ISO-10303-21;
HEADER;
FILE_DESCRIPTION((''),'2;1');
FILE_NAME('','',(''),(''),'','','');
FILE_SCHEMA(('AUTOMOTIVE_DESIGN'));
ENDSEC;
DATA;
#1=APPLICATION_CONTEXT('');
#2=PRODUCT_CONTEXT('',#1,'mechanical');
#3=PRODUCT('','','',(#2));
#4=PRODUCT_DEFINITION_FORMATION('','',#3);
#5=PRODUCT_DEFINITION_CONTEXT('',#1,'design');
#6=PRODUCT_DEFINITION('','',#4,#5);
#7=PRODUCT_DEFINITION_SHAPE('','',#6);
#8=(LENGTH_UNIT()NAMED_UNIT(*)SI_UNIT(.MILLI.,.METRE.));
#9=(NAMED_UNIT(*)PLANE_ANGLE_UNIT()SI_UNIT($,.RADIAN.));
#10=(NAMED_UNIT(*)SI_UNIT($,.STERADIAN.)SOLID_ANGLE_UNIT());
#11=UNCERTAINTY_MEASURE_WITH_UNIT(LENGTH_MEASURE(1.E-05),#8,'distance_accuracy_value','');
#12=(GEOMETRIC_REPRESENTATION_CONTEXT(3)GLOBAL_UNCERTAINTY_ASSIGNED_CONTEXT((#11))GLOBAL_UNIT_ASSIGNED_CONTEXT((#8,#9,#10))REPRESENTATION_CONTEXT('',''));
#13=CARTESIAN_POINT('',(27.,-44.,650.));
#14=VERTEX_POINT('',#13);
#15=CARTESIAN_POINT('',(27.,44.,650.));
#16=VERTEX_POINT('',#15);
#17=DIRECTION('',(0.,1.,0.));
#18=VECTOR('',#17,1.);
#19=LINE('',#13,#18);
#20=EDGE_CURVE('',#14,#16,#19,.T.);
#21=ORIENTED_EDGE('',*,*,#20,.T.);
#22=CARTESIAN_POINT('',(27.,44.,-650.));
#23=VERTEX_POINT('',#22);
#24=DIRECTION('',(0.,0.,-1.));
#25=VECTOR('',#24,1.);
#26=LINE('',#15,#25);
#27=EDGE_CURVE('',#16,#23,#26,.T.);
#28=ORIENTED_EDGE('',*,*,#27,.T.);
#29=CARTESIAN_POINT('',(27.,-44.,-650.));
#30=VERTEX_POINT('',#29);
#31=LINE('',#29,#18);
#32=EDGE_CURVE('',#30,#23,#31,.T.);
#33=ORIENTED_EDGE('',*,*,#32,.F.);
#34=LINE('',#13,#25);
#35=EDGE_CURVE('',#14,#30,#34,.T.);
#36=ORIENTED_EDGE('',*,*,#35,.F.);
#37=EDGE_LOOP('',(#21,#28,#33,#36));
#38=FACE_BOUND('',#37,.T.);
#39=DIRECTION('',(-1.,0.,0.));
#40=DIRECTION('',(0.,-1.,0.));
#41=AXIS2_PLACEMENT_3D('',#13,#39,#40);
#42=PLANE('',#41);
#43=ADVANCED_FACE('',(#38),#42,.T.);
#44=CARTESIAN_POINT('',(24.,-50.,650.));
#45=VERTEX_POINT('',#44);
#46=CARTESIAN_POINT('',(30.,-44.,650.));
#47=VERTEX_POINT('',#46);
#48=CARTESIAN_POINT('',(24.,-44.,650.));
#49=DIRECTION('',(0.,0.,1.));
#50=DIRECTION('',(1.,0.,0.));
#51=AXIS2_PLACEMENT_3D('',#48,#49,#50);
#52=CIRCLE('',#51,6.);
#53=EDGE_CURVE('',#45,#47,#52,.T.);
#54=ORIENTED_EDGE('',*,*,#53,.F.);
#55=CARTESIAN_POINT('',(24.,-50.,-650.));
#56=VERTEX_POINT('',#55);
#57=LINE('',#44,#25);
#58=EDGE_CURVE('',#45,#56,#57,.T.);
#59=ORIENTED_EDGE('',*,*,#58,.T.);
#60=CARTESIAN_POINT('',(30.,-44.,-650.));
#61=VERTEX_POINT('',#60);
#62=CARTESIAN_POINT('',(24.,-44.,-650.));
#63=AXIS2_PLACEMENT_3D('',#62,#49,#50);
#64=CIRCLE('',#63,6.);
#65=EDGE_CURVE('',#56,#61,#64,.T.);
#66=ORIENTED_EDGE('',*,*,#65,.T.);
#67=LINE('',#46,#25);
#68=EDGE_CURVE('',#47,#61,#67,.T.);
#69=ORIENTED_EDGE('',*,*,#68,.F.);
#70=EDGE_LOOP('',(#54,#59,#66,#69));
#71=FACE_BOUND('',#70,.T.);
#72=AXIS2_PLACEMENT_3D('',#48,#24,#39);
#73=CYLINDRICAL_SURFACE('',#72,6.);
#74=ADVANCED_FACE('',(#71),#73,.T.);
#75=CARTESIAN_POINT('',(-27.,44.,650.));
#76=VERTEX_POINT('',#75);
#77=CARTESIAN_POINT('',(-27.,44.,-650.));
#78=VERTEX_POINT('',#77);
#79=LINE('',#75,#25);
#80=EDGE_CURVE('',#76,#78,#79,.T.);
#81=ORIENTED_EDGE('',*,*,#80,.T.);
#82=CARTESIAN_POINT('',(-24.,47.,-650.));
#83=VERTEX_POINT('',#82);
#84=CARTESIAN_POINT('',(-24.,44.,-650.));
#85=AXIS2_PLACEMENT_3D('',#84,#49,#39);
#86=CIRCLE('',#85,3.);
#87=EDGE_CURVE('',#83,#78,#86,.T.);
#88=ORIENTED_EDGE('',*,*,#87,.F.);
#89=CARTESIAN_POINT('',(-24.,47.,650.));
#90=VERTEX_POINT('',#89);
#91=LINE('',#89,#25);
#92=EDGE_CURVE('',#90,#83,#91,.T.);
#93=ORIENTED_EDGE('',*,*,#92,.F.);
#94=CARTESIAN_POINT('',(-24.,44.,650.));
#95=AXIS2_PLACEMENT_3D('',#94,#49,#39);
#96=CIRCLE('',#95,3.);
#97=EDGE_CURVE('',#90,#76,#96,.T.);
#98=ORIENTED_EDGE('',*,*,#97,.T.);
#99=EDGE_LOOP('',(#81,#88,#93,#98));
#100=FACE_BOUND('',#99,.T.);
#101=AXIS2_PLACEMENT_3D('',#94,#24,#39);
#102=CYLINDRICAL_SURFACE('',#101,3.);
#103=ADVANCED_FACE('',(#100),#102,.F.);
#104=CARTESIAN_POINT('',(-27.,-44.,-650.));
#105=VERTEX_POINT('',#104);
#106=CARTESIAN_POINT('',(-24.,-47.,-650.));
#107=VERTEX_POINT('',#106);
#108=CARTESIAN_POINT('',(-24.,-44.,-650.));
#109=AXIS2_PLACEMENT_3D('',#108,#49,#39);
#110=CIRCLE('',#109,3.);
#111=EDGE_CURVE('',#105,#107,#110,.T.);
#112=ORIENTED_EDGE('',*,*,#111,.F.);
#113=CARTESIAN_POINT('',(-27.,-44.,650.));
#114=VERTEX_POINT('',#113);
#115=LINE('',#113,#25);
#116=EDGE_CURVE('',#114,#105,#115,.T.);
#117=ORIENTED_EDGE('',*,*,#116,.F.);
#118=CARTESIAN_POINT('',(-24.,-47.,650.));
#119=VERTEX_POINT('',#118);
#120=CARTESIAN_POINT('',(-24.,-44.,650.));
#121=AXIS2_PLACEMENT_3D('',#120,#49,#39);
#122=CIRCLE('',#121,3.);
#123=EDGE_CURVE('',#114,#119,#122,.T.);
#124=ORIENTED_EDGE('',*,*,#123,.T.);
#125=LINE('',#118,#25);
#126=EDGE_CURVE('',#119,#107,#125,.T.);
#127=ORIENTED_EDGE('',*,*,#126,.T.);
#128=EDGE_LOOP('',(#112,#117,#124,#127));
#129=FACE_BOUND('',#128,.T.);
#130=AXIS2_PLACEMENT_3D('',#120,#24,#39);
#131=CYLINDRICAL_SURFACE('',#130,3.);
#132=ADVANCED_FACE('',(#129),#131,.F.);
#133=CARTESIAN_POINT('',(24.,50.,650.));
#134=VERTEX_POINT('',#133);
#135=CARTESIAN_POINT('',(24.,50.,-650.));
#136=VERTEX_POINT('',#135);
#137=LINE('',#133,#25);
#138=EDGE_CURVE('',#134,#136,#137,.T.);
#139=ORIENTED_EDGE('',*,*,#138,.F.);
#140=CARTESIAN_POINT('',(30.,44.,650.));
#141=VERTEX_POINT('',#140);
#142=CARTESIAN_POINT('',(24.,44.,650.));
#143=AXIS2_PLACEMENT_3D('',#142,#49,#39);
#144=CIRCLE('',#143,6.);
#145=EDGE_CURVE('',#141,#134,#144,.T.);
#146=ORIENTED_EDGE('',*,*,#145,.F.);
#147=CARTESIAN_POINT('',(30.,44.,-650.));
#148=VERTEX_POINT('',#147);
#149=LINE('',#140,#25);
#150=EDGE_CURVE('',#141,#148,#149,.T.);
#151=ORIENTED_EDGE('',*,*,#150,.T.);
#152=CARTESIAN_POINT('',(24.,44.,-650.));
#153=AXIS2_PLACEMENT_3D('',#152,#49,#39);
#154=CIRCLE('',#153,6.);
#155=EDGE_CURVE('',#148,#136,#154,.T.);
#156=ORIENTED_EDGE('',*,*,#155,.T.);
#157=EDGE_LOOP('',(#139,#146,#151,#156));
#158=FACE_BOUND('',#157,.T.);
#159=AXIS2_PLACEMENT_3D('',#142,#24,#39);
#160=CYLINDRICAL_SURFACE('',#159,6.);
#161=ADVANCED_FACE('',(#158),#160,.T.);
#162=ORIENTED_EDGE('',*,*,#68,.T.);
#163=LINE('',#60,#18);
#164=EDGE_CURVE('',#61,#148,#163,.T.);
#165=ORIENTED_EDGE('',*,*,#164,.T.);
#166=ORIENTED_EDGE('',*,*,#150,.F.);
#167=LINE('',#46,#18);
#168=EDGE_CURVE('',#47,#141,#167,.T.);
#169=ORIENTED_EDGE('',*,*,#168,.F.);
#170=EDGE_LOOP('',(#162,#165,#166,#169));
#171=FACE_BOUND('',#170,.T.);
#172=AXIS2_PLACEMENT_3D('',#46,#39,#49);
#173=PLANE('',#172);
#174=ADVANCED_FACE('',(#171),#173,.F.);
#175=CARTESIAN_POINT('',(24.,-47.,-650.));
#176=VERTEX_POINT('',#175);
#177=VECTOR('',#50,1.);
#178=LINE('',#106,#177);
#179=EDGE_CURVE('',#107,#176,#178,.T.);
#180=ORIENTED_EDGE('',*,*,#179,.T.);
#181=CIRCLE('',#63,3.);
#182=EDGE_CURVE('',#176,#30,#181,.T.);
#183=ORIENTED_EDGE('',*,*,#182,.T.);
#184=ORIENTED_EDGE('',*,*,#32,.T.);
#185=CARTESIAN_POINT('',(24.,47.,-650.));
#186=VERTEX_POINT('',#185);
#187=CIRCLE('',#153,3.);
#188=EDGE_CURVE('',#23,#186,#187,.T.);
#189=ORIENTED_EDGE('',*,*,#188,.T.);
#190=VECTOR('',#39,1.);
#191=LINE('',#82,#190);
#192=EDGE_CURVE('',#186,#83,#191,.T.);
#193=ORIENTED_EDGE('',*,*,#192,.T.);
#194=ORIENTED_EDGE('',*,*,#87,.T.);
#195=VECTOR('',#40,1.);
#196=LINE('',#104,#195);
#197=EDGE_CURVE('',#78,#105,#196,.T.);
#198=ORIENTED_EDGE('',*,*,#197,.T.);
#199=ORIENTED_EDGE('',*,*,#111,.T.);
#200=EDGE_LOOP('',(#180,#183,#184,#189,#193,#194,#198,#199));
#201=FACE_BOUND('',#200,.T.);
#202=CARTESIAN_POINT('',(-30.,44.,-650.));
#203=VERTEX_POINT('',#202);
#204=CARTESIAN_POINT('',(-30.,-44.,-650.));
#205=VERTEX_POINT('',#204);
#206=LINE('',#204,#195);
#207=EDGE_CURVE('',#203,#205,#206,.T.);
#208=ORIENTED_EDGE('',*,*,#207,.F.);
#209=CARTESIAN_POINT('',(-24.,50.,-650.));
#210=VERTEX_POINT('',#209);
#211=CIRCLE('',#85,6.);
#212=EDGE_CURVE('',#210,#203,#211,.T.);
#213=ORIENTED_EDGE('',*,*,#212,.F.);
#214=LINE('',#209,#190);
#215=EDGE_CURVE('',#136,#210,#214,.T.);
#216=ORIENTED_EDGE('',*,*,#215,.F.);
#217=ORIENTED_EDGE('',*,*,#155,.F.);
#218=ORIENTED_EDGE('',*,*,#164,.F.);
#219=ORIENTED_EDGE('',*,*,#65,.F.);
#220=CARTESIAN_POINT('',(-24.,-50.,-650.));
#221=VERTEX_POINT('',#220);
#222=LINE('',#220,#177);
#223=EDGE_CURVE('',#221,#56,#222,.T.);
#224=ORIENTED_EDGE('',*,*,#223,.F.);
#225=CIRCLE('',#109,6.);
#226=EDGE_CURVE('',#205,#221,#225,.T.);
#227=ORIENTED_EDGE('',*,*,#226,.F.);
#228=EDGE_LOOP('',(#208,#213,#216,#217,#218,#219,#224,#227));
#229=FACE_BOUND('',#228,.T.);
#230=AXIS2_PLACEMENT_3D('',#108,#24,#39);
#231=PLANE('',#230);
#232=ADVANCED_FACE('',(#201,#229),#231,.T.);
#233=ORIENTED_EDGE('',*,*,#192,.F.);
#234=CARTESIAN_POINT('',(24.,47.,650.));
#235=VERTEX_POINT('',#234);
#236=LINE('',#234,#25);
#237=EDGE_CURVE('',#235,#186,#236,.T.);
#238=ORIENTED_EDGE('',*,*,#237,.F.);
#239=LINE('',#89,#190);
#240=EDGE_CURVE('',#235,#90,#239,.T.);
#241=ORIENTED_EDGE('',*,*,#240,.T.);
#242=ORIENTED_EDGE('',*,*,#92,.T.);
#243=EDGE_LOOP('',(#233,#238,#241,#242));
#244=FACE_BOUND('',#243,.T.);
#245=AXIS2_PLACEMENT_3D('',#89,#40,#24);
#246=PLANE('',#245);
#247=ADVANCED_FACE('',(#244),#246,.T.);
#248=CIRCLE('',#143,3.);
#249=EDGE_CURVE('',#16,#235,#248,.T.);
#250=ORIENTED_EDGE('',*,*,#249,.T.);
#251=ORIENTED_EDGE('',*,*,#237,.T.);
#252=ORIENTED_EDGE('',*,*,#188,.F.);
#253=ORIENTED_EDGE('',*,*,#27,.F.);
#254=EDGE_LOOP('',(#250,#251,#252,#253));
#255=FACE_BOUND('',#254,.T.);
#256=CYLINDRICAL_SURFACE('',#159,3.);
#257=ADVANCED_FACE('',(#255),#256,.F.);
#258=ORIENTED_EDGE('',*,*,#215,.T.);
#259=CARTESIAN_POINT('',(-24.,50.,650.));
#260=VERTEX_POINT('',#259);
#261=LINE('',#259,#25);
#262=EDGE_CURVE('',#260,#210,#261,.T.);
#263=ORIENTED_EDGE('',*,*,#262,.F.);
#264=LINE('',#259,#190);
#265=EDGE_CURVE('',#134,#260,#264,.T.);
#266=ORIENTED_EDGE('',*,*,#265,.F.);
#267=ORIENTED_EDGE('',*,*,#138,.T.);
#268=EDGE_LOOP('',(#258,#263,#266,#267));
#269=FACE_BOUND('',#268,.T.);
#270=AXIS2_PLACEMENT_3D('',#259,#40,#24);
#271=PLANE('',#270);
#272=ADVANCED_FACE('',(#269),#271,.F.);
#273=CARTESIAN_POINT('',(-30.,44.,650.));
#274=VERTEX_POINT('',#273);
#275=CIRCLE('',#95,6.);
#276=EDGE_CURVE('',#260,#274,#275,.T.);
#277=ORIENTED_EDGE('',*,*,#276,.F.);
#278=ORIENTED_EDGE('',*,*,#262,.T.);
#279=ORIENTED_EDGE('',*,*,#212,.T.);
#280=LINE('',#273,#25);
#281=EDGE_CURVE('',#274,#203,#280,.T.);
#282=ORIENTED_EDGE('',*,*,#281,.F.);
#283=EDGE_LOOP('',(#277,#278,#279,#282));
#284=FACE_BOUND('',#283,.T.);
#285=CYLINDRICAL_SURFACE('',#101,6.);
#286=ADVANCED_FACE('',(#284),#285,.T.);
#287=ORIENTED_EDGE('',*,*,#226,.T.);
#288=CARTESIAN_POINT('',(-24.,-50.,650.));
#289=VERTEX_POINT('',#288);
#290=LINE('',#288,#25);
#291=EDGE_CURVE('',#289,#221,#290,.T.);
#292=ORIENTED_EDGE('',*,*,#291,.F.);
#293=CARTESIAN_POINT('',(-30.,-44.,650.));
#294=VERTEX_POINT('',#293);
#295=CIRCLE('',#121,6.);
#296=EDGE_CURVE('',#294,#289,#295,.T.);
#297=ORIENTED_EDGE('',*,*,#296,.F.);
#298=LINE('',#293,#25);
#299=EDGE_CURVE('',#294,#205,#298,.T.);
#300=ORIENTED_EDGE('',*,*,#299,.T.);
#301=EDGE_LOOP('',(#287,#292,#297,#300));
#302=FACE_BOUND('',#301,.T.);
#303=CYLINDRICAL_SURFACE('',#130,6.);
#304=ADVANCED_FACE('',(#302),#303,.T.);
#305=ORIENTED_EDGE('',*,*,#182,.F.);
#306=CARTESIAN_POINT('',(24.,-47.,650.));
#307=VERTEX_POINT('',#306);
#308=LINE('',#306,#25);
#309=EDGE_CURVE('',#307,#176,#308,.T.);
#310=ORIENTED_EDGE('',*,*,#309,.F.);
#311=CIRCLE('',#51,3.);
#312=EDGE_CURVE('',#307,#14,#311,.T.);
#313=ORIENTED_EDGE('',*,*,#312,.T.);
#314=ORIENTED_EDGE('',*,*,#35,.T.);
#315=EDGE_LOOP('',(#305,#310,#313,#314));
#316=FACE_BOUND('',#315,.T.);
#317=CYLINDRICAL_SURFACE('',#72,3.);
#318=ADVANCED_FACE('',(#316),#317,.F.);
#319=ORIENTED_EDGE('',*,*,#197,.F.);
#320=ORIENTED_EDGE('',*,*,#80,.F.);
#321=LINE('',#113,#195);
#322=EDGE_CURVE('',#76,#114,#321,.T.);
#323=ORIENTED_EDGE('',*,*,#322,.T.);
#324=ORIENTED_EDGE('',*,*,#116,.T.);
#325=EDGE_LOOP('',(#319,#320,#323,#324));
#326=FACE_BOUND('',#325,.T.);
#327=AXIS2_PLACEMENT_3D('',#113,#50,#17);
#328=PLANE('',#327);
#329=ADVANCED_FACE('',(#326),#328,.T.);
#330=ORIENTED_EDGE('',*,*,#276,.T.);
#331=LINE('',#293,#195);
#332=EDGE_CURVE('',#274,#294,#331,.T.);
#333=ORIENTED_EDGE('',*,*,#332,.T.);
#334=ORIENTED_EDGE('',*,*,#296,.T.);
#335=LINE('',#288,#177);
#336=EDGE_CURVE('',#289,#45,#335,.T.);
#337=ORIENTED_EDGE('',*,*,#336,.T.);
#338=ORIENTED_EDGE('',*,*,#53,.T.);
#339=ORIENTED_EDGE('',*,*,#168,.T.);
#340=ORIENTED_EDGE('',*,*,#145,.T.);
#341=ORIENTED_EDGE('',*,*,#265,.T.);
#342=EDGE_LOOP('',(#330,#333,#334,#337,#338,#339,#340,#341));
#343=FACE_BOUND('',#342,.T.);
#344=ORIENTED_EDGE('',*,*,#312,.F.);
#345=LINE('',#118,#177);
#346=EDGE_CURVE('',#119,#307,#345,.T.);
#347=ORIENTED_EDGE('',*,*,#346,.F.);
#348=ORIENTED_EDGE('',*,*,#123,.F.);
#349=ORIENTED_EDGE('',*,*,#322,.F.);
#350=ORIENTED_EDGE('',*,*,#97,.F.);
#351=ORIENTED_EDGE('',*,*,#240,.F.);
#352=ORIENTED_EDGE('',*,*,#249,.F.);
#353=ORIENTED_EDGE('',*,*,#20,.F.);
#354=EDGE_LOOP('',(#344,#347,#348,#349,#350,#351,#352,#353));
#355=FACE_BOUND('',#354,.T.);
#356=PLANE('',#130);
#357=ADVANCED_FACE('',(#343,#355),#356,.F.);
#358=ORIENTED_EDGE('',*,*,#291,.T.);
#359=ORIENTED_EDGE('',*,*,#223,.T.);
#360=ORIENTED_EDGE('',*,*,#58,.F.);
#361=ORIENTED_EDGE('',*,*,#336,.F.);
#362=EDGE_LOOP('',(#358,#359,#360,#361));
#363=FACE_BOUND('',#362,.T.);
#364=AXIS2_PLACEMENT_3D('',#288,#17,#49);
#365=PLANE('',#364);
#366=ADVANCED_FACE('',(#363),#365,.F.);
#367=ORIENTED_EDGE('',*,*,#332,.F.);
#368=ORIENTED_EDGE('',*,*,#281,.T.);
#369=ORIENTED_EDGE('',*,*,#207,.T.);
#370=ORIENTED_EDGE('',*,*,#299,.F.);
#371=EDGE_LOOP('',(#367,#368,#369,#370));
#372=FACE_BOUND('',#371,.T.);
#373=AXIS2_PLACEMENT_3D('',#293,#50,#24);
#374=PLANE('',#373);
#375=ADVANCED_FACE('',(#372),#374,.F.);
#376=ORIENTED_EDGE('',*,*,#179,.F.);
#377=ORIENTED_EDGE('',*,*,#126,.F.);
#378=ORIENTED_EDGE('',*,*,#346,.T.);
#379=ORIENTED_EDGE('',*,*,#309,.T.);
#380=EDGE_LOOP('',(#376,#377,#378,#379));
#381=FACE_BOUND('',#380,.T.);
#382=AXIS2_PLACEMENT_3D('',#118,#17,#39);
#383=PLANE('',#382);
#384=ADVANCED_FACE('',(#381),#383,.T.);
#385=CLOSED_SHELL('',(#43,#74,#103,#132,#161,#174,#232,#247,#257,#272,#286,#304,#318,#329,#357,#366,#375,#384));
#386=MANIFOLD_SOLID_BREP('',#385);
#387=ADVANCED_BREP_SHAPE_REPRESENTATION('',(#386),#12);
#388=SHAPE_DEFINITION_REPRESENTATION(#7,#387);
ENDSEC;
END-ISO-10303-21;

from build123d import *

# Parameters (mm, degrees)
BOSS_EXTRUDE1_DEPTH = 650


with BuildPart() as part:
    # Sketch1 → Boss-Extrude1 (new, symmetric)
    with BuildSketch(Plane.XY):
        with BuildLine():
            Line((-24, -50), (24, -50))
            ThreePointArc((24, -50), (28.242640687, -48.242640687), (30, -44))
            Line((30, -44), (30, 44))
            ThreePointArc((30, 44), (28.242640687, 48.242640687), (24, 50))
            Line((24, 50), (-24, 50))
            ThreePointArc((-24, 50), (-28.242640687, 48.242640687), (-30, 44))
            Line((-30, 44), (-30, -44))
            ThreePointArc((-30, -44), (-28.242640687, -48.242640687), (-24, -50))
        make_face()
        with BuildLine():
            Line((-24, 47), (24, 47))
            ThreePointArc((24, 47), (26.121320344, 46.121320344), (27, 44))
            Line((27, 44), (27, -44))
            ThreePointArc((27, -44), (26.121320344, -46.121320344), (24, -47))
            Line((24, -47), (-24, -47))
            ThreePointArc((-24, -47), (-26.121320344, -46.121320344), (-27, -44))
            Line((-27, -44), (-27, 44))
            ThreePointArc((-27, 44), (-26.121320344, 46.121320344), (-24, 47))
        make_face(mode=Mode.SUBTRACT)
    extrude(amount=BOSS_EXTRUDE1_DEPTH, both=True)


solid = part.part
